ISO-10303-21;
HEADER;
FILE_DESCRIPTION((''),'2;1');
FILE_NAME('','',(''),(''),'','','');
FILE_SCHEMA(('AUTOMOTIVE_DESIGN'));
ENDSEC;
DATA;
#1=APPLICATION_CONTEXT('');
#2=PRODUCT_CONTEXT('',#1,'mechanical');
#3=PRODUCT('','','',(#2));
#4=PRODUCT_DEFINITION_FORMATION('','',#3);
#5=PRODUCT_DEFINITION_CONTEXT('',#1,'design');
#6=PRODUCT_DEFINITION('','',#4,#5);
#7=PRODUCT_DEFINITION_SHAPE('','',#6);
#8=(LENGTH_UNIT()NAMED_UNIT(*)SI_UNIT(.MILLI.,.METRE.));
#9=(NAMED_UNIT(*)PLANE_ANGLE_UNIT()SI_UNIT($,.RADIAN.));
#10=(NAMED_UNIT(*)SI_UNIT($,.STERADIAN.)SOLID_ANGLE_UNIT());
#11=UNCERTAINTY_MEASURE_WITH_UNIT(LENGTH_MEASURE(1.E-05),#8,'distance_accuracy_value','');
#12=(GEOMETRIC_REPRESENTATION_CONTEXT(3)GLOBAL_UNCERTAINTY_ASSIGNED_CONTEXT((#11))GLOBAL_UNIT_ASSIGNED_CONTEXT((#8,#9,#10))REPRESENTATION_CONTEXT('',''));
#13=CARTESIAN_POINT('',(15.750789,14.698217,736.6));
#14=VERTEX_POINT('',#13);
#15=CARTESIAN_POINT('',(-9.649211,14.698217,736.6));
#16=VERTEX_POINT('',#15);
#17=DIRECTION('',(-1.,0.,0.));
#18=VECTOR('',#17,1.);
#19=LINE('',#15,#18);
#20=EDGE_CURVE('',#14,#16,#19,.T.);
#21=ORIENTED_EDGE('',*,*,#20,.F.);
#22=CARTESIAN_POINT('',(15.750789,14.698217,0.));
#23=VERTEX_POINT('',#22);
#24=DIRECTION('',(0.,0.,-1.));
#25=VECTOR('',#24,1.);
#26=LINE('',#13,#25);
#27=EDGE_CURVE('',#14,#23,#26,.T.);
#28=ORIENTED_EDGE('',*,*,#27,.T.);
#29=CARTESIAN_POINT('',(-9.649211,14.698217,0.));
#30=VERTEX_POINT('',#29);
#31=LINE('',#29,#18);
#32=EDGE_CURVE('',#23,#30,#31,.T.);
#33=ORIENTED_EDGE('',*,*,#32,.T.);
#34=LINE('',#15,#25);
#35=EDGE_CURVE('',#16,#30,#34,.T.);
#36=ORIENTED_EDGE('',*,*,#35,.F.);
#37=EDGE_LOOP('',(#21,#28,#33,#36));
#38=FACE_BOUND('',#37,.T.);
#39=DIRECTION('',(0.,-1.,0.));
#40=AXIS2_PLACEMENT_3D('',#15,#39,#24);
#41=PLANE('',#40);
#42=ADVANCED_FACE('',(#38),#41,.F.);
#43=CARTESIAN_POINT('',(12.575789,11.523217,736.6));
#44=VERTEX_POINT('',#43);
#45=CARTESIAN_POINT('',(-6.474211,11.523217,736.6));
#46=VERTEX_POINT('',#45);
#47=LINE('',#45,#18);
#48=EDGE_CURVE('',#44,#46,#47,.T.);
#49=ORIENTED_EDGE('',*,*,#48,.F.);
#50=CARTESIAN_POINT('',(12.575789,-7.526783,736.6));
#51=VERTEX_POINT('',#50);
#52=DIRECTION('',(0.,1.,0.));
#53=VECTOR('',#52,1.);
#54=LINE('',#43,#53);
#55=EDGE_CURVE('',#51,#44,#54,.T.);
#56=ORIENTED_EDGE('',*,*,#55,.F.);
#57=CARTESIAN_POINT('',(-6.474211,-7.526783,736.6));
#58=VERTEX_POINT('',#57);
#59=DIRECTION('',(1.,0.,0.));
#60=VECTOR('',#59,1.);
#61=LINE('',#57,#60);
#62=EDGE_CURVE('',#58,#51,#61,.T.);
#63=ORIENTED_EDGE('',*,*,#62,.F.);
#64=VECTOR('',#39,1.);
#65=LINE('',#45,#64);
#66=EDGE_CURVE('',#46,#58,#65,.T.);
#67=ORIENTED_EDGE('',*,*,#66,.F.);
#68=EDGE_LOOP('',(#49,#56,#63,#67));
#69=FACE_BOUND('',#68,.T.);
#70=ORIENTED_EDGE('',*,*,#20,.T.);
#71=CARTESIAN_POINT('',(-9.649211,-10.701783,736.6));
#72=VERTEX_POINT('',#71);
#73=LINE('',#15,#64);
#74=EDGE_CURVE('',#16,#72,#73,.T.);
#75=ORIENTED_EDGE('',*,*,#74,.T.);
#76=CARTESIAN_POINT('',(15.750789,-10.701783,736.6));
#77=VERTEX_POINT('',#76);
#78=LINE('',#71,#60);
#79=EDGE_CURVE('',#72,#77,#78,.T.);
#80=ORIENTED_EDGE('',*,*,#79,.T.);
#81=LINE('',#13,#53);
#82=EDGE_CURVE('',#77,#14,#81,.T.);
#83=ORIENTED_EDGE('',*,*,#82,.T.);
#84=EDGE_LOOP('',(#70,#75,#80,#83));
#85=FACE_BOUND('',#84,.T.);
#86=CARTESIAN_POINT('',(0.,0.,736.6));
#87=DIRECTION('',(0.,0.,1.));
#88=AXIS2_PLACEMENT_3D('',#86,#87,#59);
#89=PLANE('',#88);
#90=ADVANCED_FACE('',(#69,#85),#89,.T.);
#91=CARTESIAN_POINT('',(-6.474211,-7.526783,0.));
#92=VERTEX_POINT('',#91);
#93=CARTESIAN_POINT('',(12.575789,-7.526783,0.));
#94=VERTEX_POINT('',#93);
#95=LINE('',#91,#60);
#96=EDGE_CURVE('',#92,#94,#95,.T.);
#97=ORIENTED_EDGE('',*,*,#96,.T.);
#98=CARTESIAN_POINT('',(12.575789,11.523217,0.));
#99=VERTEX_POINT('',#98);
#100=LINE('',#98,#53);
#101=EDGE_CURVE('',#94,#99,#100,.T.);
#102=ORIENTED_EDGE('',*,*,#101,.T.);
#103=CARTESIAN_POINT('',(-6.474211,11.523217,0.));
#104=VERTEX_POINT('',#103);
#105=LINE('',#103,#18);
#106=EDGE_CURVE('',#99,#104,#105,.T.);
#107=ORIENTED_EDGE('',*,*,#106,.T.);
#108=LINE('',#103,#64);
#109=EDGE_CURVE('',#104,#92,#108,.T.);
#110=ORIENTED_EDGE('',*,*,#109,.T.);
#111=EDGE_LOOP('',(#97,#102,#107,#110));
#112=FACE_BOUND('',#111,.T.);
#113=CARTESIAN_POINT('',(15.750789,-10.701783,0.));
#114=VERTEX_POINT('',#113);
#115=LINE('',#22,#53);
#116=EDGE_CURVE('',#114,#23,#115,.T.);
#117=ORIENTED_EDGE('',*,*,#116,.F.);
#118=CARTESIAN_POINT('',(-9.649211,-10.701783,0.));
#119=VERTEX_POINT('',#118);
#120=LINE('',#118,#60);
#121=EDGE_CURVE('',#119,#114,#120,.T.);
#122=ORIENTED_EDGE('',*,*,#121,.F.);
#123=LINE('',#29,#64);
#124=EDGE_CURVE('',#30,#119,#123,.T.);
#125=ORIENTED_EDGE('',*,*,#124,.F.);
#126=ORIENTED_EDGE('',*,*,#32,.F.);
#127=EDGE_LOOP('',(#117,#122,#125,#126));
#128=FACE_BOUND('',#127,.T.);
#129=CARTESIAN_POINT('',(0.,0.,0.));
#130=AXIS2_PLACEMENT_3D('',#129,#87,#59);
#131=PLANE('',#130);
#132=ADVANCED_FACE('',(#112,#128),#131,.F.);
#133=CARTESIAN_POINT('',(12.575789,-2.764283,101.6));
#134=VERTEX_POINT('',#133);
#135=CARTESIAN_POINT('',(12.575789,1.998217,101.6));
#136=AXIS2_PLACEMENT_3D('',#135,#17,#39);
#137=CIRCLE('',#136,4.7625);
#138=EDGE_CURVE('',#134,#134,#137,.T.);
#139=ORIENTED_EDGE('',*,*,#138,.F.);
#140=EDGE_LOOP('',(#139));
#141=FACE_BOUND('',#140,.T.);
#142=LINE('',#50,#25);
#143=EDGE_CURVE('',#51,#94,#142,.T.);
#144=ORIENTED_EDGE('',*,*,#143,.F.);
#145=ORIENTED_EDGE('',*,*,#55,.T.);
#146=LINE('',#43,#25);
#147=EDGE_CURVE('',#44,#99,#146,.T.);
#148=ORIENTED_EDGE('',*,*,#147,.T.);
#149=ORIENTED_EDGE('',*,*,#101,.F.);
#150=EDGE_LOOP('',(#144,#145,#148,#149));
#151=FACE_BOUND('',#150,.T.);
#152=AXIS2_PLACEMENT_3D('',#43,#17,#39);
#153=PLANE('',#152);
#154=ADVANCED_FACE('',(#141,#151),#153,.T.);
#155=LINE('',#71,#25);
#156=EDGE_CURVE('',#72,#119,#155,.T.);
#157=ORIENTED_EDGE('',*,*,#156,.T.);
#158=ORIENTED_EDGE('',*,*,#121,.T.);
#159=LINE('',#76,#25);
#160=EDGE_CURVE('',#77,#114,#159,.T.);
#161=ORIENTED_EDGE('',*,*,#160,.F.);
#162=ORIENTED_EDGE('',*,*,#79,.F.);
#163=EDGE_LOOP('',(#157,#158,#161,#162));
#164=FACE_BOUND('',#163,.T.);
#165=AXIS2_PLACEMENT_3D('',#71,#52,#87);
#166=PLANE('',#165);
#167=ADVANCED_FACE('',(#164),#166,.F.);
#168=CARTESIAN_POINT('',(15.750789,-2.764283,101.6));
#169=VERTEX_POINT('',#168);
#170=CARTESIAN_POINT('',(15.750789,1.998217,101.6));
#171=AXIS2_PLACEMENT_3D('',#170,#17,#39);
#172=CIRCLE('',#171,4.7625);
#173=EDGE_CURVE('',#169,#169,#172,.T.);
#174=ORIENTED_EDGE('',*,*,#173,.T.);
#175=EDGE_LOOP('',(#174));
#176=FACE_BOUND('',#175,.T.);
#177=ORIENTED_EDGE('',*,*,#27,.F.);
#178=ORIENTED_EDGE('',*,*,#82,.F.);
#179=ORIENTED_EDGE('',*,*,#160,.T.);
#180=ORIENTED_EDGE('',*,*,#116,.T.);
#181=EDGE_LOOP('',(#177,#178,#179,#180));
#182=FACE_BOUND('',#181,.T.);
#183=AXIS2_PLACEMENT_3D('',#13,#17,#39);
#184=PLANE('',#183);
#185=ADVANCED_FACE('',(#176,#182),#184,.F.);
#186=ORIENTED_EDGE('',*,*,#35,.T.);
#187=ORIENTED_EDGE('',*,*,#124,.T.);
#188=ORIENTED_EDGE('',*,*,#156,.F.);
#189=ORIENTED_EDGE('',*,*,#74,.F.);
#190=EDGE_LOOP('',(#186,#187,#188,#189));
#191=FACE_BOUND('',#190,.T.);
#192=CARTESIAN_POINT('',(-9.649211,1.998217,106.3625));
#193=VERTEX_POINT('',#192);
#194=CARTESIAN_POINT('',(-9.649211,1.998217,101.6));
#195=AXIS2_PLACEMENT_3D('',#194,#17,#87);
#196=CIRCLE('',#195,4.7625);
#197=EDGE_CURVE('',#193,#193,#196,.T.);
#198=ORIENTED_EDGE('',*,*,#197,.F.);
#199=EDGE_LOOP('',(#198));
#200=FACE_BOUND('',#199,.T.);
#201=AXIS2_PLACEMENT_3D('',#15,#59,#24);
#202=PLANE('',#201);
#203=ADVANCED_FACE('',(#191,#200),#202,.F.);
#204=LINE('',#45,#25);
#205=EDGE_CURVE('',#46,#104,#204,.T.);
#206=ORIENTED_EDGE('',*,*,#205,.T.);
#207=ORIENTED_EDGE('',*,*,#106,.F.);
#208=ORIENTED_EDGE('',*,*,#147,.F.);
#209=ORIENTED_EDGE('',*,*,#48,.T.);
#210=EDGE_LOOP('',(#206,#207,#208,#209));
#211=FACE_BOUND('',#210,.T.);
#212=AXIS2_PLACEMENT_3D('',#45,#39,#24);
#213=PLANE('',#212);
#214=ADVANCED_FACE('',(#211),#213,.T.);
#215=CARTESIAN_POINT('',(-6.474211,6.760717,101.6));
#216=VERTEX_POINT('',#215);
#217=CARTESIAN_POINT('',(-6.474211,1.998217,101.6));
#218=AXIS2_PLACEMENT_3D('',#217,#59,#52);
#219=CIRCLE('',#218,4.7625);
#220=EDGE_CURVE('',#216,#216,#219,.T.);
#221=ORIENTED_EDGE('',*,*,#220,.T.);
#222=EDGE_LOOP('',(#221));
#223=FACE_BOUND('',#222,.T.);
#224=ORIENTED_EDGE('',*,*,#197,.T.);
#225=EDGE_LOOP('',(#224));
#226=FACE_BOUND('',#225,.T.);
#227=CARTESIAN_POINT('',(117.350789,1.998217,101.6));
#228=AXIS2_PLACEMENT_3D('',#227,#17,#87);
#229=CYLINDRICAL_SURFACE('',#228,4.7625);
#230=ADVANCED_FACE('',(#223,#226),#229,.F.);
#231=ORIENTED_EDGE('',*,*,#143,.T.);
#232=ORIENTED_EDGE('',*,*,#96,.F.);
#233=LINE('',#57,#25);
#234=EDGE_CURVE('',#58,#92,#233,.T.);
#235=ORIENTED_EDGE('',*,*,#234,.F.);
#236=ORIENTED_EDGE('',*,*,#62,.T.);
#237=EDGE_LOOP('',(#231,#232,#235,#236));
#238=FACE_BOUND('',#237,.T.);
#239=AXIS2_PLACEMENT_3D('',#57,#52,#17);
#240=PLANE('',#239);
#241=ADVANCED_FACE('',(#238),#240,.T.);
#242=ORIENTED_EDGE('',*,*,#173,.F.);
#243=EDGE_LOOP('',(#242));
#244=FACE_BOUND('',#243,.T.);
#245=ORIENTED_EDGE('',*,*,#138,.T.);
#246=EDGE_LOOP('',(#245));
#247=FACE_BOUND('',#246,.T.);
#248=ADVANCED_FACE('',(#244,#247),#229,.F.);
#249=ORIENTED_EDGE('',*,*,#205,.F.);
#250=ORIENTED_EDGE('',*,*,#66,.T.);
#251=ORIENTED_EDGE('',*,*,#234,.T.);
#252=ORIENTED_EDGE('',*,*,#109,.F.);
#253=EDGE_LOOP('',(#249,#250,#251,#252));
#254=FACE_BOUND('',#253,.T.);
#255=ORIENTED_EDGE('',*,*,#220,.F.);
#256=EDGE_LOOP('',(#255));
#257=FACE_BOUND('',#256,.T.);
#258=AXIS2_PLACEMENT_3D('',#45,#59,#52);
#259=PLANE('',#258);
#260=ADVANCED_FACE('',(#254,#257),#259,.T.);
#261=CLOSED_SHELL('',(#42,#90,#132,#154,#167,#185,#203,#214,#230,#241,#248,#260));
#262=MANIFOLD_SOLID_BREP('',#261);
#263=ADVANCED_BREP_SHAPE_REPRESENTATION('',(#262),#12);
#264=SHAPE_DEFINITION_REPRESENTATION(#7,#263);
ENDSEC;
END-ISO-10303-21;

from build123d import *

# Parameters (mm, degrees)
SKETCH1_W           = 25.4
SKETCH1_H           = 25.4
SKETCH1_W_2         = 19.05
SKETCH1_H_2         = 19.05
BOSS_EXTRUDE1_DEPTH = 736.6
SKETCH3_R           = 4.7625
CUT_EXTRUDE1_DEPTH  = 127


with BuildPart() as part:
    # Sketch1 → Boss-Extrude1 (new body)
    with BuildSketch(Plane.XY):
        with Locations((3.05078858, 1.998217396)):
            Rectangle(SKETCH1_W, SKETCH1_H)
        with Locations((3.05078858, 1.998217396)):
            Rectangle(SKETCH1_W_2, SKETCH1_H_2, mode=Mode.SUBTRACT)
    extrude(amount=BOSS_EXTRUDE1_DEPTH)

    # Sketch3 → Cut-Extrude1 (cut)
    with BuildSketch(Plane.ZY.offset(9.64921142)):
        with Locations(Location((101.6, 1.998217396, 0), (0, 0, 270))):
            Circle(SKETCH3_R)
    extrude(amount=-CUT_EXTRUDE1_DEPTH, mode=Mode.SUBTRACT)


solid = part.part
